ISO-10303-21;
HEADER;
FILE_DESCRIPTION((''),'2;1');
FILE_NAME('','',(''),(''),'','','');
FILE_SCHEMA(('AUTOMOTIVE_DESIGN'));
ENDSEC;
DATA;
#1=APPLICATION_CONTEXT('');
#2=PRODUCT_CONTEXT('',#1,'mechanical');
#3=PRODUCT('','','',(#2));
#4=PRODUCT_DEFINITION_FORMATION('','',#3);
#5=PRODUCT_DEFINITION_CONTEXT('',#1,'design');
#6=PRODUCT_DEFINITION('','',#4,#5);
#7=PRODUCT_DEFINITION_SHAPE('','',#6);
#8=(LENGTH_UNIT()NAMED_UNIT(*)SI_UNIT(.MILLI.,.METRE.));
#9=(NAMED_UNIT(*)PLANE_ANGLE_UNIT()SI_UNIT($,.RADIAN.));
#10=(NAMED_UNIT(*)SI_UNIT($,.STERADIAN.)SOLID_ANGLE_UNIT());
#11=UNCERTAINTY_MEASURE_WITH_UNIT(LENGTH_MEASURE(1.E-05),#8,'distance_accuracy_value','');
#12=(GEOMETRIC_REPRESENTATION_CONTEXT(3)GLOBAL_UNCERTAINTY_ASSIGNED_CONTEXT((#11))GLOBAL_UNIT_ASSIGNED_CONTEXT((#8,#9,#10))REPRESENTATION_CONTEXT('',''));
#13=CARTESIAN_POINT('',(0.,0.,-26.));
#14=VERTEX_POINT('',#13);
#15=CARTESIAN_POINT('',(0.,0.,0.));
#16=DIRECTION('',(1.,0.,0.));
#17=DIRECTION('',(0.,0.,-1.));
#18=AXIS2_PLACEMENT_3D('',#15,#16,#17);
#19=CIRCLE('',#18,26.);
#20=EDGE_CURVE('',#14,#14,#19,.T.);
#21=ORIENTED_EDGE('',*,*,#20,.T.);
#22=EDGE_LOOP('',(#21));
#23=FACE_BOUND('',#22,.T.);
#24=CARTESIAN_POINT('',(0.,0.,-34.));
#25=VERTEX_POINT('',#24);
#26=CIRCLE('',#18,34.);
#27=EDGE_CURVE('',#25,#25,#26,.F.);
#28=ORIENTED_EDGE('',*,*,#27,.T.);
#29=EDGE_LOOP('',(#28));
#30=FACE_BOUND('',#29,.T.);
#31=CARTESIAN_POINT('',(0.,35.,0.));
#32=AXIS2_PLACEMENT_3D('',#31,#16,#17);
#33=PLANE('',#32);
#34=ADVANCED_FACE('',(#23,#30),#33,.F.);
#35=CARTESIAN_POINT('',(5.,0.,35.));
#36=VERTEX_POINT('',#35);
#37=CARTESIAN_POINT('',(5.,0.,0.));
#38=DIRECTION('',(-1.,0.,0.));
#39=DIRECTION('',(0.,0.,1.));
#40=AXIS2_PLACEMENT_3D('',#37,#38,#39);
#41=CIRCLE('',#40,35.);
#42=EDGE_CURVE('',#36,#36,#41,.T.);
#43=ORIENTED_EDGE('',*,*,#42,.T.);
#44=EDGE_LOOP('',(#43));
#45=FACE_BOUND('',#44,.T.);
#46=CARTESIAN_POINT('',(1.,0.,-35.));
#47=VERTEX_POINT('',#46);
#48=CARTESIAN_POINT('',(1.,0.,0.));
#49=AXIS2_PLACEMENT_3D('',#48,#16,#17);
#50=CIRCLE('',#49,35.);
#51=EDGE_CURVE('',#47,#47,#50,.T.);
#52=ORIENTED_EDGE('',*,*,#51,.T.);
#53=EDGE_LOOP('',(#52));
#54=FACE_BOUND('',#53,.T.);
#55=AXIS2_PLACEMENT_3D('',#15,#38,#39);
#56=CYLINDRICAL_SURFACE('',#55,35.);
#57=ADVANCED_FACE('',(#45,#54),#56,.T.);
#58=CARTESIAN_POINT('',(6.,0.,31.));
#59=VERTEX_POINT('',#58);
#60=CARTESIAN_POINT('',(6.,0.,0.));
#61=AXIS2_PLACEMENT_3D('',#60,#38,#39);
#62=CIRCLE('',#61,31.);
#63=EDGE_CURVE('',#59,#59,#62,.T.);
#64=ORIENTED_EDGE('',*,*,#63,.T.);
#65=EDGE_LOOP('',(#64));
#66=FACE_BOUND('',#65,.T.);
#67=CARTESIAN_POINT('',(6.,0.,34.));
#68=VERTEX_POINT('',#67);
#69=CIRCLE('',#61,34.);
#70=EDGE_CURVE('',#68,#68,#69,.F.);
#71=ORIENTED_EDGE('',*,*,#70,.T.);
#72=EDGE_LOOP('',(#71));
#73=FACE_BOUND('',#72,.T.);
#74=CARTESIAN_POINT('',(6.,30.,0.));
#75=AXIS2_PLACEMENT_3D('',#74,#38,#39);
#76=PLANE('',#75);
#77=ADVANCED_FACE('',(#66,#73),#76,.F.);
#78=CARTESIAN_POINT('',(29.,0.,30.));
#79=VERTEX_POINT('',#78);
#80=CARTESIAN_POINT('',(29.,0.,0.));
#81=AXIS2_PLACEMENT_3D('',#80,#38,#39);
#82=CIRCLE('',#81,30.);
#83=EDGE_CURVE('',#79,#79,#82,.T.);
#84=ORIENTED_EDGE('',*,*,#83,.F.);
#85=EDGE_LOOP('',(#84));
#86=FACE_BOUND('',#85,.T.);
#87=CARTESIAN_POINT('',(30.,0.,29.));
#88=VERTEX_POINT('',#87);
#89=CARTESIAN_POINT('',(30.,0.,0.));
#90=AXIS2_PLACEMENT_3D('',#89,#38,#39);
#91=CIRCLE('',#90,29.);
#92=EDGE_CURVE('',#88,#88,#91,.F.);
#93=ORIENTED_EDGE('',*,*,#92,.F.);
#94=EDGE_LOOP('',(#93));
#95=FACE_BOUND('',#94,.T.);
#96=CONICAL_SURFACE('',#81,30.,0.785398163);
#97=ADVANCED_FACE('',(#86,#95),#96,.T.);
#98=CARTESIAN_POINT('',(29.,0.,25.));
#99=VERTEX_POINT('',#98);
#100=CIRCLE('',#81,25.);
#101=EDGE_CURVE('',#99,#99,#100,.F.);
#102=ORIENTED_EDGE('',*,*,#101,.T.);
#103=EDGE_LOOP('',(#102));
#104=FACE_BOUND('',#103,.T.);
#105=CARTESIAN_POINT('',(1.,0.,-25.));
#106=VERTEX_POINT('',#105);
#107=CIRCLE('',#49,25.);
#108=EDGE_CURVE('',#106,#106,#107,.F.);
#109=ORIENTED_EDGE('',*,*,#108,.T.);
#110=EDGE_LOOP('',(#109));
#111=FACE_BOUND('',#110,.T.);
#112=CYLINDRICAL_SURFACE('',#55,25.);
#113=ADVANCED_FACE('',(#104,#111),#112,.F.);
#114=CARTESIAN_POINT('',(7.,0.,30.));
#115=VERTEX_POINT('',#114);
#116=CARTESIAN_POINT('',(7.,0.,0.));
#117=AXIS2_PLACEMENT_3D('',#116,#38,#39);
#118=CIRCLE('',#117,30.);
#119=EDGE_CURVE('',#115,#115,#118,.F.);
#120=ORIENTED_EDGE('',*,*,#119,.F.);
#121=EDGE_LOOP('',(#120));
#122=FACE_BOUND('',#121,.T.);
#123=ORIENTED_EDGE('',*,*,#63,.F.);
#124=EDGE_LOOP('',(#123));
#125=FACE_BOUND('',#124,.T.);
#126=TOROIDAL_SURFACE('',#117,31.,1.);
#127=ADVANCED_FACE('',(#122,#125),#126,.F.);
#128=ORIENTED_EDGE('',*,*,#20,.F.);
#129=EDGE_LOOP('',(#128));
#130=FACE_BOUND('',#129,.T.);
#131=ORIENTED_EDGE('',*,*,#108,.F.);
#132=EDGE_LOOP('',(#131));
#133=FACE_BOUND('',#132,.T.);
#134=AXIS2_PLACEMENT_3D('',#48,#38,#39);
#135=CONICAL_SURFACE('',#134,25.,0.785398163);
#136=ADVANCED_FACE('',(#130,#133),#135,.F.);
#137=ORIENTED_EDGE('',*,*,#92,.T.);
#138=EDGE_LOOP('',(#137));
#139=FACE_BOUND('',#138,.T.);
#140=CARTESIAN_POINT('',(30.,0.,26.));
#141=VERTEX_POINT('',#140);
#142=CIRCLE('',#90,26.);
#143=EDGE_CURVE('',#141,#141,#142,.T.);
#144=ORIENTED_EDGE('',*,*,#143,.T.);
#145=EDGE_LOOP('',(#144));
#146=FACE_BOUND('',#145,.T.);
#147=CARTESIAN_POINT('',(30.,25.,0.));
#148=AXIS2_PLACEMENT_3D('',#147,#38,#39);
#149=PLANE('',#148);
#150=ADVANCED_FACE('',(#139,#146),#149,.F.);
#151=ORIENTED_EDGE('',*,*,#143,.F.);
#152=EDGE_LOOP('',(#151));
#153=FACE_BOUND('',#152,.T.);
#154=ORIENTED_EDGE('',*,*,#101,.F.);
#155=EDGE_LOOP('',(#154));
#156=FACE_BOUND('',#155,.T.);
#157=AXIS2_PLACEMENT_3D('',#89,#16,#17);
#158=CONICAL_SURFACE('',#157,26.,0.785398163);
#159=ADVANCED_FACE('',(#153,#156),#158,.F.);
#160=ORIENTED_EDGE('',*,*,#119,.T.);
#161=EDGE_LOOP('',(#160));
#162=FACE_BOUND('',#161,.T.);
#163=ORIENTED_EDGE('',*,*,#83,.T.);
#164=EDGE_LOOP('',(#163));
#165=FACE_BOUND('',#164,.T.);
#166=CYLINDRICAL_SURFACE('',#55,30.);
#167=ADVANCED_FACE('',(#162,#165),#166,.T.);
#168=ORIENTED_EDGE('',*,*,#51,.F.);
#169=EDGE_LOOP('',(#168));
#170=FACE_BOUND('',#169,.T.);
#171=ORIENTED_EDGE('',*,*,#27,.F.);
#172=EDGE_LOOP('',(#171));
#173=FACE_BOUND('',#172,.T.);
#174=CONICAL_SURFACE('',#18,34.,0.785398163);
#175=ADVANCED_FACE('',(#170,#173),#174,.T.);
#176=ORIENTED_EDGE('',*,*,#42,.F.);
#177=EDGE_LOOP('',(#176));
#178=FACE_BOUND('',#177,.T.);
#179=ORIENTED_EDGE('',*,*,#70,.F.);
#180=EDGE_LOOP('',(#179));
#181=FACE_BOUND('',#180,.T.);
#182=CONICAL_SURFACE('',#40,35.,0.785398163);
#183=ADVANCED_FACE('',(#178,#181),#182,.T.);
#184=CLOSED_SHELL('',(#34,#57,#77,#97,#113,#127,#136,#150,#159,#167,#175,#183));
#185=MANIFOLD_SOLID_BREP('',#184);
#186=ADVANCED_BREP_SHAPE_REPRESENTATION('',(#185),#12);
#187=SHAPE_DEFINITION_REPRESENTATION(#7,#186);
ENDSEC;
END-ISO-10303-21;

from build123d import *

# Parameters (mm, degrees)
CHAMFER1_SIZE = 1
FILLET1_R     = 1


with BuildPart() as part:
    # Sketch1 → Revolve1 (revolve)
    with BuildSketch(Plane.XY, mode=Mode.PRIVATE) as revolve1_sk:
        Polygon((0, 25), (30, 25), (30, 30), (6, 30), (6, 35), (0, 35), align=None)
    revolve(revolve1_sk.sketch.rotate(Axis((0, 0, 0), (1, 0, 0)), 90), axis=Axis((0, 0, 0), (1, 0, 0)))

    # Chamfer1
    chamfer1_edges = [part.edges().sort_by_distance(p)[0] for p in [
        (0, 0, -35),
        (6, 0, -35),
        (30, 0, -30),
        (30, 0, -25),
        (0, 0, -25),
    ]]
    chamfer(chamfer1_edges, length=CHAMFER1_SIZE)

    # Fillet1
    fillet1_edges = [part.edges().sort_by_distance(p)[0] for p in [
        (6, 0, -30),
    ]]
    fillet(fillet1_edges, radius=FILLET1_R)


solid = part.part
